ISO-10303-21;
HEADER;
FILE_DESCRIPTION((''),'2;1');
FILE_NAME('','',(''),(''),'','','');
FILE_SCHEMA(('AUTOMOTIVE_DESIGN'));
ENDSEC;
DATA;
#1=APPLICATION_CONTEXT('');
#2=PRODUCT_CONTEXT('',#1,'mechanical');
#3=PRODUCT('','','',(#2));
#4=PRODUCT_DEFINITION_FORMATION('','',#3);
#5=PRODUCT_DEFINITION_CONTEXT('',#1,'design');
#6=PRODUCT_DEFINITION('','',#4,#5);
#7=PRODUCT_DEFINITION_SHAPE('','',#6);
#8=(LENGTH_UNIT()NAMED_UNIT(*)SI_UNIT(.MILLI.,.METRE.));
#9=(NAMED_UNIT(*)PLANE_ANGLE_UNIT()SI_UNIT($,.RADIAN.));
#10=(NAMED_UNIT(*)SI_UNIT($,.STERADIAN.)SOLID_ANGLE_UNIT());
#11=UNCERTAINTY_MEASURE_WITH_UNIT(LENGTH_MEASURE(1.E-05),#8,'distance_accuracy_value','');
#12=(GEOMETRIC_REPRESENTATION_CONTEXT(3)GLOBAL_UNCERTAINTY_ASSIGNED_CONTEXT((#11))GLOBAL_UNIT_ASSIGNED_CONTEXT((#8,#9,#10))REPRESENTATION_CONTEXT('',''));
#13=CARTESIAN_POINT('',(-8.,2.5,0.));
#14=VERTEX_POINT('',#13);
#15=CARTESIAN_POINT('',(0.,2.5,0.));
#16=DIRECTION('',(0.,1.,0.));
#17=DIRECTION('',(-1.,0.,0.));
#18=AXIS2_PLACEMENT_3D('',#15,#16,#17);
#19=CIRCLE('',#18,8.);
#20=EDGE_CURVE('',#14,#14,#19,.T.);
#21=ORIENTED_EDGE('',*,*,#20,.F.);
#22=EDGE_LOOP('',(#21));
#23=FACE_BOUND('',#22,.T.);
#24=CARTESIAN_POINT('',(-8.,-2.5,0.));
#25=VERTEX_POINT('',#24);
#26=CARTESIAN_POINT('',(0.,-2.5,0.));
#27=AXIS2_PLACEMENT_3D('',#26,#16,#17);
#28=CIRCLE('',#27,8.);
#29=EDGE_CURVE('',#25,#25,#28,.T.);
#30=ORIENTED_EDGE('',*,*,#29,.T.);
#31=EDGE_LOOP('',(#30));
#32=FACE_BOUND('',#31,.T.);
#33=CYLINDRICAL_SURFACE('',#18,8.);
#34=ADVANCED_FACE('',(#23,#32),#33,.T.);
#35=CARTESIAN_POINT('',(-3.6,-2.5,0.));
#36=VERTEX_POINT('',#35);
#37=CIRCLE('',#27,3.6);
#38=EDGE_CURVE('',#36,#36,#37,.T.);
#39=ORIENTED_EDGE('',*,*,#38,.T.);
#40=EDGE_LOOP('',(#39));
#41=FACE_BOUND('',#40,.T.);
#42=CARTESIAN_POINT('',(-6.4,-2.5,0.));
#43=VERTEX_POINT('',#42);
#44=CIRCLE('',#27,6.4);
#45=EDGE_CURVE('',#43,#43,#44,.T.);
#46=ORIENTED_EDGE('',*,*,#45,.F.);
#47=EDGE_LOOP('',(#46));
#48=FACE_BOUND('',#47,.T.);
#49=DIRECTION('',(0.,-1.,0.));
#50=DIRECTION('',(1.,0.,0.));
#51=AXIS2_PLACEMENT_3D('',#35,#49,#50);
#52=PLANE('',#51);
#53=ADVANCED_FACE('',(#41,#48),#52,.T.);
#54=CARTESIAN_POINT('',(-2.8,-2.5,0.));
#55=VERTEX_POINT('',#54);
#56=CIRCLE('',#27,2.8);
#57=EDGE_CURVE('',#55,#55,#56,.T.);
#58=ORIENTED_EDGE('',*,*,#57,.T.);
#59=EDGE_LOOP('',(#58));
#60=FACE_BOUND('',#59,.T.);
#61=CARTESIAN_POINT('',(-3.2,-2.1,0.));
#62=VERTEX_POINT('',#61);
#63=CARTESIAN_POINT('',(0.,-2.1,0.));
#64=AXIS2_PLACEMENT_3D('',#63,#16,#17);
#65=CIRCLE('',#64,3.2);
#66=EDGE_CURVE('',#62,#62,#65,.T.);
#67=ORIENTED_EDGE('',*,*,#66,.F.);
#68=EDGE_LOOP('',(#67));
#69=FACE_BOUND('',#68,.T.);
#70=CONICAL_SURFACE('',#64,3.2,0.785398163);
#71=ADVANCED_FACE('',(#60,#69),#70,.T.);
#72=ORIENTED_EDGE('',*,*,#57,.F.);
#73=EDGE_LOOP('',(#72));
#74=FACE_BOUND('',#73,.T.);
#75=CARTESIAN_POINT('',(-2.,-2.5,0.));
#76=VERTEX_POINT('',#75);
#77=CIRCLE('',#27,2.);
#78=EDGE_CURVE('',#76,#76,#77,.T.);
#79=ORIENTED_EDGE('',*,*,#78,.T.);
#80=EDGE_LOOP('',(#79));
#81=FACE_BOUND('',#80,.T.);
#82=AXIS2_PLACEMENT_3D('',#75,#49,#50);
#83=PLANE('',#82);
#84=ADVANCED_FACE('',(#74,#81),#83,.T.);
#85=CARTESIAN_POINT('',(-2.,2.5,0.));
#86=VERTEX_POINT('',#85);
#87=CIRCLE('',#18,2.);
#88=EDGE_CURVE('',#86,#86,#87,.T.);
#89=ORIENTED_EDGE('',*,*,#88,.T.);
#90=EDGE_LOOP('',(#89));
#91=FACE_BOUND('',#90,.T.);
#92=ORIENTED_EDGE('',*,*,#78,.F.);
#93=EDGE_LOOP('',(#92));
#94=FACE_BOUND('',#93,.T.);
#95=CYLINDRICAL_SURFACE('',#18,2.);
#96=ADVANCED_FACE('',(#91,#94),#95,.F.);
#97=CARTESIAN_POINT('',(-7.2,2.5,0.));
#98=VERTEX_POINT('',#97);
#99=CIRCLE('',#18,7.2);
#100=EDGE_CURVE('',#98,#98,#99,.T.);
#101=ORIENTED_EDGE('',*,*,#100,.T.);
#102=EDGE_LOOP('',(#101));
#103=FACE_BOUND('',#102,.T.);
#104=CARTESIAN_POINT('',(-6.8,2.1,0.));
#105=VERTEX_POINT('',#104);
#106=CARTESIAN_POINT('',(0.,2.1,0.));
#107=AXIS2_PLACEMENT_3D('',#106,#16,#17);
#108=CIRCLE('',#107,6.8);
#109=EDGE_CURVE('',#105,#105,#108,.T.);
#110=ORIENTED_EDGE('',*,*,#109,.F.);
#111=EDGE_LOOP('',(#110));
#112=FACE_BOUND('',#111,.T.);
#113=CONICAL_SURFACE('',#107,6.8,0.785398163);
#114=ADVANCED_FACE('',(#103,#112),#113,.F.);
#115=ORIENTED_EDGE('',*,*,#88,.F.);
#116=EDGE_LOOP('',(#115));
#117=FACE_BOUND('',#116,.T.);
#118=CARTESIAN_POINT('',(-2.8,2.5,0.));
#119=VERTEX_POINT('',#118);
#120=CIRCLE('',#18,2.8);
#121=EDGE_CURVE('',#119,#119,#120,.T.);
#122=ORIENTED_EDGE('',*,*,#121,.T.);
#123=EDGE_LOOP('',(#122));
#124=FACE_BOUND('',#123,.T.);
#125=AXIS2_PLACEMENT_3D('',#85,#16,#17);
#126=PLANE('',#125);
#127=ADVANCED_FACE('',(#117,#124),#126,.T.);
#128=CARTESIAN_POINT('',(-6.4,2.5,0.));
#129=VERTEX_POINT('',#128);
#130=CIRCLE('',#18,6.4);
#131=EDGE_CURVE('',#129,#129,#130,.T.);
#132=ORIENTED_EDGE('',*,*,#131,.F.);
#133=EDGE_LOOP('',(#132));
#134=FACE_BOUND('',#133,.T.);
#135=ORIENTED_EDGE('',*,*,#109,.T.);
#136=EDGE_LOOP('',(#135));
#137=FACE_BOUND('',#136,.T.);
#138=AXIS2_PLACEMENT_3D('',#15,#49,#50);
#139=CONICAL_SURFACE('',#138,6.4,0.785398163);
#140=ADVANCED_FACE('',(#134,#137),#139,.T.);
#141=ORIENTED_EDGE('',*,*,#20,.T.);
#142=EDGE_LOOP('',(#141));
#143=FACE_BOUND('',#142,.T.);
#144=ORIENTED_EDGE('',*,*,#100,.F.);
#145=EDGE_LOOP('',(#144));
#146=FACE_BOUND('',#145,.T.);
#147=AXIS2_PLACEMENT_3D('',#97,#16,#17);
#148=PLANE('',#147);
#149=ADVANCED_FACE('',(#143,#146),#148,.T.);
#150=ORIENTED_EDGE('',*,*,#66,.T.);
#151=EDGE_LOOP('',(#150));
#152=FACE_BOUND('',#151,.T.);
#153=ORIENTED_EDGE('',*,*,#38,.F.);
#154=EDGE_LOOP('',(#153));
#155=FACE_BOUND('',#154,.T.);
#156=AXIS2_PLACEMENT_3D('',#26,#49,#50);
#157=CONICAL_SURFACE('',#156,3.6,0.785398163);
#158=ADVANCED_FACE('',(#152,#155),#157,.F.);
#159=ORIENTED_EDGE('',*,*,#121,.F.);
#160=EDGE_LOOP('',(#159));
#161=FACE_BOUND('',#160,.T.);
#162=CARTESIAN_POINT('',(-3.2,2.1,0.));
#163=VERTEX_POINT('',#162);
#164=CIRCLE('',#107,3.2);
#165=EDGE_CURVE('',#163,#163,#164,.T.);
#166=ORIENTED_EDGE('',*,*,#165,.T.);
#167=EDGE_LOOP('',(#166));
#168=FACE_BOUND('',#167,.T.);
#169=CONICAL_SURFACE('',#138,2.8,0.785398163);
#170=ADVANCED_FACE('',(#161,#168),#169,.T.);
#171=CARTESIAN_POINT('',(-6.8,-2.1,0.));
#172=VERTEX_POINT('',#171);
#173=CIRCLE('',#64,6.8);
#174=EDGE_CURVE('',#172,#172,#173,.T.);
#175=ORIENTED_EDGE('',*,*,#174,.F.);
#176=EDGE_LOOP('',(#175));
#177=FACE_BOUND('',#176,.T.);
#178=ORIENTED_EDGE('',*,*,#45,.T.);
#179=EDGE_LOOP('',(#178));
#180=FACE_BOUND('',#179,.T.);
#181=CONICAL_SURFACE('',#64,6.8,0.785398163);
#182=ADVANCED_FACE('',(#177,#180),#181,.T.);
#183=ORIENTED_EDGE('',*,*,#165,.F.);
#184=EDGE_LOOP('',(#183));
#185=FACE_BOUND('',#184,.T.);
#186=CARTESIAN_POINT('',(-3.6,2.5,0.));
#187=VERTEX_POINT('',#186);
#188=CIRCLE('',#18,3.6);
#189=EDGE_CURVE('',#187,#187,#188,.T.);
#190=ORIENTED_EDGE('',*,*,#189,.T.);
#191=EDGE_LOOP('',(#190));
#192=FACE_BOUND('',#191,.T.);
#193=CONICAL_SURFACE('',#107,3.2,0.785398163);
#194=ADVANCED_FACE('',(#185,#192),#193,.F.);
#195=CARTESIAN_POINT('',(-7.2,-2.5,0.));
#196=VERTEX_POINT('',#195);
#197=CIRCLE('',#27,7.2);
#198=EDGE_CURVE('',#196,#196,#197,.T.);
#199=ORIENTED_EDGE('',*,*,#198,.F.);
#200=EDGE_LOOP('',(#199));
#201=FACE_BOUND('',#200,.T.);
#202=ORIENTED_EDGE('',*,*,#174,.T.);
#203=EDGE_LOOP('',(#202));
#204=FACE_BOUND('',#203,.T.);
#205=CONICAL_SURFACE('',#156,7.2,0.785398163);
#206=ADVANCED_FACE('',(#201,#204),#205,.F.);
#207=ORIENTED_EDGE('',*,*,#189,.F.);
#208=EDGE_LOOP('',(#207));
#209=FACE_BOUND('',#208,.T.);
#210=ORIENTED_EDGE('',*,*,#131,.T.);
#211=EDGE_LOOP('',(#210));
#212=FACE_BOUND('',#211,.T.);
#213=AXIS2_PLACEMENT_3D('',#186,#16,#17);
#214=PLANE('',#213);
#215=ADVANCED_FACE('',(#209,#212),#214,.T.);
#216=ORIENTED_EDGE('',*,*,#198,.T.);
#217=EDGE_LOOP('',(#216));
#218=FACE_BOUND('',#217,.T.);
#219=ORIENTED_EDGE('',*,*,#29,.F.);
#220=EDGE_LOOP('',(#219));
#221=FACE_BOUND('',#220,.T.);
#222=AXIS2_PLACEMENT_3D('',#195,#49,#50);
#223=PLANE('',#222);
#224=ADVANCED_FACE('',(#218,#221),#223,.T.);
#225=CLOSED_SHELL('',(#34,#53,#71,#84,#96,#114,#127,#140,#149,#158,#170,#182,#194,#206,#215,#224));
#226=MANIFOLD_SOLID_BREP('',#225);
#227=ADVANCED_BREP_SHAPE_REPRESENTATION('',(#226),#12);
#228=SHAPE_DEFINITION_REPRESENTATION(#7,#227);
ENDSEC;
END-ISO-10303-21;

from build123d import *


with BuildPart() as part:
    # Sketch1 → Revolve1 (revolve)
    with BuildSketch(Plane.XY):
        Polygon((-2, 2.5), (-2.8, 2.5), (-3.2, 2.1), (-3.6, 2.5), (-6.4, 2.5), (-6.8, 2.1), (-7.2, 2.5), (-8, 2.5), (-8, -2.5), (-7.2, -2.5), (-6.8, -2.1), (-6.4, -2.5), (-3.6, -2.5), (-3.2, -2.1), (-2.8, -2.5), (-2, -2.5), align=None)
    revolve(axis=Axis((0, 2.5, 0), (0, -1, 0)))


solid = part.part
